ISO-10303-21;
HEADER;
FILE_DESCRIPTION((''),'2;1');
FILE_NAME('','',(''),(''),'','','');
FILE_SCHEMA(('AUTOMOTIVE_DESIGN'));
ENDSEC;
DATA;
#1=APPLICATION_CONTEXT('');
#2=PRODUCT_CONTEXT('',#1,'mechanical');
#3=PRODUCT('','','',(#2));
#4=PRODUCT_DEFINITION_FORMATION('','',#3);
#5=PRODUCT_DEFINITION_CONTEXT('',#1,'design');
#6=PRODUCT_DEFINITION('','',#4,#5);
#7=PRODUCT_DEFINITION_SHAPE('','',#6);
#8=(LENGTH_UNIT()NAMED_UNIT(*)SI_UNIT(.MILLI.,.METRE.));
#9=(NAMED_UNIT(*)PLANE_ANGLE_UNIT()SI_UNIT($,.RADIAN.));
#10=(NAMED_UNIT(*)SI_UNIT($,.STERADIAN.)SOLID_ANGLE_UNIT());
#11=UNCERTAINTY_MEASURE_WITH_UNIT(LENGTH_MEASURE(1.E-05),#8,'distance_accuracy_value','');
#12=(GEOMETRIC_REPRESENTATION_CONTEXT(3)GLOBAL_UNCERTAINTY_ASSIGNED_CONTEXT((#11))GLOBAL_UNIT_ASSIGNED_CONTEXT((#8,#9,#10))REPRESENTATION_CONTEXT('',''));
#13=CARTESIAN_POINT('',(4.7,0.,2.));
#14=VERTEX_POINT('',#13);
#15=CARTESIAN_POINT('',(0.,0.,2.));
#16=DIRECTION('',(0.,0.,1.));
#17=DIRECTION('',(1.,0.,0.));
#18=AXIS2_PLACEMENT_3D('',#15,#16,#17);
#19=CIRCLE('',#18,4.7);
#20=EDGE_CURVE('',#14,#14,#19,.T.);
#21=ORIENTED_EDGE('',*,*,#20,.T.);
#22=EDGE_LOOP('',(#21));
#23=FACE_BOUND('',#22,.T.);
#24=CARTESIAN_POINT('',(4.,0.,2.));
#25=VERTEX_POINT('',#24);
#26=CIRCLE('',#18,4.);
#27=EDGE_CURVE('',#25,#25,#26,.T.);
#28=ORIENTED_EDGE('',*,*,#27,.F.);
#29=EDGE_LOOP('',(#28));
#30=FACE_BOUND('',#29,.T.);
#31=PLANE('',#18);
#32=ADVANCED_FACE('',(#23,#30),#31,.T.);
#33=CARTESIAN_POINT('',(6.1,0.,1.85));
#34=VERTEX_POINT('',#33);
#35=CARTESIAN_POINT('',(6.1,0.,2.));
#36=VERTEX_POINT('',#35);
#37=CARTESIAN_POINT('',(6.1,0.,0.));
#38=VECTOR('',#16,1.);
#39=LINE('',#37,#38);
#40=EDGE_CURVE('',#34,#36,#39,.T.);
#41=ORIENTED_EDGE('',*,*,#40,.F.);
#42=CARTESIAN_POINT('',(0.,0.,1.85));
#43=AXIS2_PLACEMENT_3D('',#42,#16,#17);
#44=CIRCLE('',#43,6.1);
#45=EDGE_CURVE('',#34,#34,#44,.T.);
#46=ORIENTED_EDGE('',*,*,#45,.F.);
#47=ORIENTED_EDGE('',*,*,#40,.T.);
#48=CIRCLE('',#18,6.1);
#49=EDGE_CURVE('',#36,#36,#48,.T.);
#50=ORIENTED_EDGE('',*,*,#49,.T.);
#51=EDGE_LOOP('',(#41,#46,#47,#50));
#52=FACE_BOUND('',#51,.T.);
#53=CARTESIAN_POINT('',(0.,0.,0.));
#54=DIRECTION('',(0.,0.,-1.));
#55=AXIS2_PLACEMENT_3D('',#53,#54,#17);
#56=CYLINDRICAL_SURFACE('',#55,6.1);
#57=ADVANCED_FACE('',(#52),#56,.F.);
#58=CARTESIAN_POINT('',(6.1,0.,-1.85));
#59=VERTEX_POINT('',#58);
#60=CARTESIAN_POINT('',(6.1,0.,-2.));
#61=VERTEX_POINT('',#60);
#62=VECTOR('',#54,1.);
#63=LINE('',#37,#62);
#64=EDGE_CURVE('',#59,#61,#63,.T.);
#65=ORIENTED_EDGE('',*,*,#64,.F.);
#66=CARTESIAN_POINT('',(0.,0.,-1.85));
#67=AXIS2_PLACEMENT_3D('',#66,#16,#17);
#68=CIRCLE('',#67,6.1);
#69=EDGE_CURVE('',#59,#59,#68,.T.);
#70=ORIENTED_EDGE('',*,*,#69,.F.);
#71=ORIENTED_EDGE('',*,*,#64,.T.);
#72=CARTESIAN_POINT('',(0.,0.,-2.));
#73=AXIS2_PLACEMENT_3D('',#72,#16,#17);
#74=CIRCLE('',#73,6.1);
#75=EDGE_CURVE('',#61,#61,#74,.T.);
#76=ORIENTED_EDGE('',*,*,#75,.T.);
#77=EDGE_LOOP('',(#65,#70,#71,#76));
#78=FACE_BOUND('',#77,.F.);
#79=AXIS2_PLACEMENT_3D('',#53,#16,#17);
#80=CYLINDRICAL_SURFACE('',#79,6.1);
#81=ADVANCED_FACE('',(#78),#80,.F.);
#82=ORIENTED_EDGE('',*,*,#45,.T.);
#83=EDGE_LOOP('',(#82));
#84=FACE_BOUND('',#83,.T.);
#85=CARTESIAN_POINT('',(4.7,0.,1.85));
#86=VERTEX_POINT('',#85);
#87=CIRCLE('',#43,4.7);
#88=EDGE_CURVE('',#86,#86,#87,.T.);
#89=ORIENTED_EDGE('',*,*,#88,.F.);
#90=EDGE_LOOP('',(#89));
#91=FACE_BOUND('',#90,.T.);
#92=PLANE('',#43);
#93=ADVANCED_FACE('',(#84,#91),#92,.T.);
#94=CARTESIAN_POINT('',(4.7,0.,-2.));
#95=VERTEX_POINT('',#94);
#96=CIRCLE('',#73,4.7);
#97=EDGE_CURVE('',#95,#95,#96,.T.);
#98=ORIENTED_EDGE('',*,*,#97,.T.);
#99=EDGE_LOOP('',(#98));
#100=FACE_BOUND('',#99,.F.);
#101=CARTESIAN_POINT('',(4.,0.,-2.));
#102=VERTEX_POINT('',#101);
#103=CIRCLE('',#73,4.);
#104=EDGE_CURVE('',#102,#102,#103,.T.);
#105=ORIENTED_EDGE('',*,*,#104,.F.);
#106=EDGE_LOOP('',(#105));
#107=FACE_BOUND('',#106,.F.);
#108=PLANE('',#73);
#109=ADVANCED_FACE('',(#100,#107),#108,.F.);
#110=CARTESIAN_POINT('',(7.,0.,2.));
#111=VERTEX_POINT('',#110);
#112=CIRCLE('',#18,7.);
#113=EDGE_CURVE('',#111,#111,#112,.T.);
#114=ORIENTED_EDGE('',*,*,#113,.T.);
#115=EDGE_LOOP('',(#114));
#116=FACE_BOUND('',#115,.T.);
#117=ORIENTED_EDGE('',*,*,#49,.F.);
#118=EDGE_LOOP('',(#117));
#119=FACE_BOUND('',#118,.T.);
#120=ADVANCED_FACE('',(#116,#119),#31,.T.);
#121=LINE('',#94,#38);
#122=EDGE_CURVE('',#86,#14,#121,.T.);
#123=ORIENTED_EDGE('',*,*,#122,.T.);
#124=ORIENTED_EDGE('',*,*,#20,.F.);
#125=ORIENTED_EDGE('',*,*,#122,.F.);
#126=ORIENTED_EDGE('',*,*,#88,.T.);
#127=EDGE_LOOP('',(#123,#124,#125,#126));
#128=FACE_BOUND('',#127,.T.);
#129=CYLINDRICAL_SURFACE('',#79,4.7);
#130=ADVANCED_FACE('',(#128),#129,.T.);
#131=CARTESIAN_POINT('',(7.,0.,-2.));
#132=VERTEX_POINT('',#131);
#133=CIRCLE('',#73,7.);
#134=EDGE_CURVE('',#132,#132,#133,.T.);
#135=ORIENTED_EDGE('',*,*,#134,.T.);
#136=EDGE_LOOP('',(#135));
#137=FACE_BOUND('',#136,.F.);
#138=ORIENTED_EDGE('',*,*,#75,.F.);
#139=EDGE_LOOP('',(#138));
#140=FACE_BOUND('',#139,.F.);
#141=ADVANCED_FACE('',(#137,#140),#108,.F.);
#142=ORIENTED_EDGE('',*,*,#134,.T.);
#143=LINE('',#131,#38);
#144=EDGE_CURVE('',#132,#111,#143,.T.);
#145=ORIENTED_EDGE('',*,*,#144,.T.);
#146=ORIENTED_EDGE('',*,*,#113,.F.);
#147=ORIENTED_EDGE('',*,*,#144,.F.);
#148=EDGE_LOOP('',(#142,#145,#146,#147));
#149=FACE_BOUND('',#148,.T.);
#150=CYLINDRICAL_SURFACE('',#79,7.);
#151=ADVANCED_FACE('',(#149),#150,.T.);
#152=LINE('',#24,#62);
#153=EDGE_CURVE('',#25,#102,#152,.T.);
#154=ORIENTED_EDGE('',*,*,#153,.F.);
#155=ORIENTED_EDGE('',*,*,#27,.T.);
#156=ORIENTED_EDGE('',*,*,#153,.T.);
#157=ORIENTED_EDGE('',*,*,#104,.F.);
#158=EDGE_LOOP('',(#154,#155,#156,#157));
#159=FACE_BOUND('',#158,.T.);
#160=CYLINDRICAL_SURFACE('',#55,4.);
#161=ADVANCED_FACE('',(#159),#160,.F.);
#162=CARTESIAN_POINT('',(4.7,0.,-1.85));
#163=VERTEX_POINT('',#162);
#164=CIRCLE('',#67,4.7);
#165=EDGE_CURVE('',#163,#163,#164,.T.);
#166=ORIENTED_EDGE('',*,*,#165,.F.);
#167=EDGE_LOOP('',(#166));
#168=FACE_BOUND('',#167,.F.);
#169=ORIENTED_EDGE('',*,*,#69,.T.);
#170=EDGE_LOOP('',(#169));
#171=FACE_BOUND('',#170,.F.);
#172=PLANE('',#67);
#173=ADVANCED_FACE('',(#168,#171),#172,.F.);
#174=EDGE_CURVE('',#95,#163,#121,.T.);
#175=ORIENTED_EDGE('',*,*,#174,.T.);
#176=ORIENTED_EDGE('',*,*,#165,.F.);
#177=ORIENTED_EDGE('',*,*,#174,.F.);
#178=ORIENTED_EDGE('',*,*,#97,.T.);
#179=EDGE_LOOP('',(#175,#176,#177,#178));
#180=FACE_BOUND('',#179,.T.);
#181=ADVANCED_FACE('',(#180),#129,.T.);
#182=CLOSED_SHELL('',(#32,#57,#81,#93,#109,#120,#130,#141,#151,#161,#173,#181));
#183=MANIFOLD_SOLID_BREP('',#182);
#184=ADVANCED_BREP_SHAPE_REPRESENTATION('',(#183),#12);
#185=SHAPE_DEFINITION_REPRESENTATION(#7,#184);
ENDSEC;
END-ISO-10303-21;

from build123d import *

# Parameters (mm, degrees)
F0_R     = 6.1
F0_R_2   = 4.7
F1_DEPTH = 1.85
F0_R_3   = 7
F0_R_4   = 4
F2_DEPTH = 2


with BuildPart() as f1:
    # F0 (on Top) → F1 (new body, symmetric)
    with BuildSketch(Plane.XY):
        Circle(F0_R)
        Circle(F0_R_2, mode=Mode.SUBTRACT)
    extrude(amount=F1_DEPTH, both=True)

    # F0 (on Top) → F2 (join, symmetric)
    with BuildSketch(Plane.XY):
        Circle(F0_R_3)
        Circle(F0_R, mode=Mode.SUBTRACT)
        Circle(F0_R_2)
        Circle(F0_R_4, mode=Mode.SUBTRACT)
    extrude(amount=F2_DEPTH, both=True)


solid = f1.part
